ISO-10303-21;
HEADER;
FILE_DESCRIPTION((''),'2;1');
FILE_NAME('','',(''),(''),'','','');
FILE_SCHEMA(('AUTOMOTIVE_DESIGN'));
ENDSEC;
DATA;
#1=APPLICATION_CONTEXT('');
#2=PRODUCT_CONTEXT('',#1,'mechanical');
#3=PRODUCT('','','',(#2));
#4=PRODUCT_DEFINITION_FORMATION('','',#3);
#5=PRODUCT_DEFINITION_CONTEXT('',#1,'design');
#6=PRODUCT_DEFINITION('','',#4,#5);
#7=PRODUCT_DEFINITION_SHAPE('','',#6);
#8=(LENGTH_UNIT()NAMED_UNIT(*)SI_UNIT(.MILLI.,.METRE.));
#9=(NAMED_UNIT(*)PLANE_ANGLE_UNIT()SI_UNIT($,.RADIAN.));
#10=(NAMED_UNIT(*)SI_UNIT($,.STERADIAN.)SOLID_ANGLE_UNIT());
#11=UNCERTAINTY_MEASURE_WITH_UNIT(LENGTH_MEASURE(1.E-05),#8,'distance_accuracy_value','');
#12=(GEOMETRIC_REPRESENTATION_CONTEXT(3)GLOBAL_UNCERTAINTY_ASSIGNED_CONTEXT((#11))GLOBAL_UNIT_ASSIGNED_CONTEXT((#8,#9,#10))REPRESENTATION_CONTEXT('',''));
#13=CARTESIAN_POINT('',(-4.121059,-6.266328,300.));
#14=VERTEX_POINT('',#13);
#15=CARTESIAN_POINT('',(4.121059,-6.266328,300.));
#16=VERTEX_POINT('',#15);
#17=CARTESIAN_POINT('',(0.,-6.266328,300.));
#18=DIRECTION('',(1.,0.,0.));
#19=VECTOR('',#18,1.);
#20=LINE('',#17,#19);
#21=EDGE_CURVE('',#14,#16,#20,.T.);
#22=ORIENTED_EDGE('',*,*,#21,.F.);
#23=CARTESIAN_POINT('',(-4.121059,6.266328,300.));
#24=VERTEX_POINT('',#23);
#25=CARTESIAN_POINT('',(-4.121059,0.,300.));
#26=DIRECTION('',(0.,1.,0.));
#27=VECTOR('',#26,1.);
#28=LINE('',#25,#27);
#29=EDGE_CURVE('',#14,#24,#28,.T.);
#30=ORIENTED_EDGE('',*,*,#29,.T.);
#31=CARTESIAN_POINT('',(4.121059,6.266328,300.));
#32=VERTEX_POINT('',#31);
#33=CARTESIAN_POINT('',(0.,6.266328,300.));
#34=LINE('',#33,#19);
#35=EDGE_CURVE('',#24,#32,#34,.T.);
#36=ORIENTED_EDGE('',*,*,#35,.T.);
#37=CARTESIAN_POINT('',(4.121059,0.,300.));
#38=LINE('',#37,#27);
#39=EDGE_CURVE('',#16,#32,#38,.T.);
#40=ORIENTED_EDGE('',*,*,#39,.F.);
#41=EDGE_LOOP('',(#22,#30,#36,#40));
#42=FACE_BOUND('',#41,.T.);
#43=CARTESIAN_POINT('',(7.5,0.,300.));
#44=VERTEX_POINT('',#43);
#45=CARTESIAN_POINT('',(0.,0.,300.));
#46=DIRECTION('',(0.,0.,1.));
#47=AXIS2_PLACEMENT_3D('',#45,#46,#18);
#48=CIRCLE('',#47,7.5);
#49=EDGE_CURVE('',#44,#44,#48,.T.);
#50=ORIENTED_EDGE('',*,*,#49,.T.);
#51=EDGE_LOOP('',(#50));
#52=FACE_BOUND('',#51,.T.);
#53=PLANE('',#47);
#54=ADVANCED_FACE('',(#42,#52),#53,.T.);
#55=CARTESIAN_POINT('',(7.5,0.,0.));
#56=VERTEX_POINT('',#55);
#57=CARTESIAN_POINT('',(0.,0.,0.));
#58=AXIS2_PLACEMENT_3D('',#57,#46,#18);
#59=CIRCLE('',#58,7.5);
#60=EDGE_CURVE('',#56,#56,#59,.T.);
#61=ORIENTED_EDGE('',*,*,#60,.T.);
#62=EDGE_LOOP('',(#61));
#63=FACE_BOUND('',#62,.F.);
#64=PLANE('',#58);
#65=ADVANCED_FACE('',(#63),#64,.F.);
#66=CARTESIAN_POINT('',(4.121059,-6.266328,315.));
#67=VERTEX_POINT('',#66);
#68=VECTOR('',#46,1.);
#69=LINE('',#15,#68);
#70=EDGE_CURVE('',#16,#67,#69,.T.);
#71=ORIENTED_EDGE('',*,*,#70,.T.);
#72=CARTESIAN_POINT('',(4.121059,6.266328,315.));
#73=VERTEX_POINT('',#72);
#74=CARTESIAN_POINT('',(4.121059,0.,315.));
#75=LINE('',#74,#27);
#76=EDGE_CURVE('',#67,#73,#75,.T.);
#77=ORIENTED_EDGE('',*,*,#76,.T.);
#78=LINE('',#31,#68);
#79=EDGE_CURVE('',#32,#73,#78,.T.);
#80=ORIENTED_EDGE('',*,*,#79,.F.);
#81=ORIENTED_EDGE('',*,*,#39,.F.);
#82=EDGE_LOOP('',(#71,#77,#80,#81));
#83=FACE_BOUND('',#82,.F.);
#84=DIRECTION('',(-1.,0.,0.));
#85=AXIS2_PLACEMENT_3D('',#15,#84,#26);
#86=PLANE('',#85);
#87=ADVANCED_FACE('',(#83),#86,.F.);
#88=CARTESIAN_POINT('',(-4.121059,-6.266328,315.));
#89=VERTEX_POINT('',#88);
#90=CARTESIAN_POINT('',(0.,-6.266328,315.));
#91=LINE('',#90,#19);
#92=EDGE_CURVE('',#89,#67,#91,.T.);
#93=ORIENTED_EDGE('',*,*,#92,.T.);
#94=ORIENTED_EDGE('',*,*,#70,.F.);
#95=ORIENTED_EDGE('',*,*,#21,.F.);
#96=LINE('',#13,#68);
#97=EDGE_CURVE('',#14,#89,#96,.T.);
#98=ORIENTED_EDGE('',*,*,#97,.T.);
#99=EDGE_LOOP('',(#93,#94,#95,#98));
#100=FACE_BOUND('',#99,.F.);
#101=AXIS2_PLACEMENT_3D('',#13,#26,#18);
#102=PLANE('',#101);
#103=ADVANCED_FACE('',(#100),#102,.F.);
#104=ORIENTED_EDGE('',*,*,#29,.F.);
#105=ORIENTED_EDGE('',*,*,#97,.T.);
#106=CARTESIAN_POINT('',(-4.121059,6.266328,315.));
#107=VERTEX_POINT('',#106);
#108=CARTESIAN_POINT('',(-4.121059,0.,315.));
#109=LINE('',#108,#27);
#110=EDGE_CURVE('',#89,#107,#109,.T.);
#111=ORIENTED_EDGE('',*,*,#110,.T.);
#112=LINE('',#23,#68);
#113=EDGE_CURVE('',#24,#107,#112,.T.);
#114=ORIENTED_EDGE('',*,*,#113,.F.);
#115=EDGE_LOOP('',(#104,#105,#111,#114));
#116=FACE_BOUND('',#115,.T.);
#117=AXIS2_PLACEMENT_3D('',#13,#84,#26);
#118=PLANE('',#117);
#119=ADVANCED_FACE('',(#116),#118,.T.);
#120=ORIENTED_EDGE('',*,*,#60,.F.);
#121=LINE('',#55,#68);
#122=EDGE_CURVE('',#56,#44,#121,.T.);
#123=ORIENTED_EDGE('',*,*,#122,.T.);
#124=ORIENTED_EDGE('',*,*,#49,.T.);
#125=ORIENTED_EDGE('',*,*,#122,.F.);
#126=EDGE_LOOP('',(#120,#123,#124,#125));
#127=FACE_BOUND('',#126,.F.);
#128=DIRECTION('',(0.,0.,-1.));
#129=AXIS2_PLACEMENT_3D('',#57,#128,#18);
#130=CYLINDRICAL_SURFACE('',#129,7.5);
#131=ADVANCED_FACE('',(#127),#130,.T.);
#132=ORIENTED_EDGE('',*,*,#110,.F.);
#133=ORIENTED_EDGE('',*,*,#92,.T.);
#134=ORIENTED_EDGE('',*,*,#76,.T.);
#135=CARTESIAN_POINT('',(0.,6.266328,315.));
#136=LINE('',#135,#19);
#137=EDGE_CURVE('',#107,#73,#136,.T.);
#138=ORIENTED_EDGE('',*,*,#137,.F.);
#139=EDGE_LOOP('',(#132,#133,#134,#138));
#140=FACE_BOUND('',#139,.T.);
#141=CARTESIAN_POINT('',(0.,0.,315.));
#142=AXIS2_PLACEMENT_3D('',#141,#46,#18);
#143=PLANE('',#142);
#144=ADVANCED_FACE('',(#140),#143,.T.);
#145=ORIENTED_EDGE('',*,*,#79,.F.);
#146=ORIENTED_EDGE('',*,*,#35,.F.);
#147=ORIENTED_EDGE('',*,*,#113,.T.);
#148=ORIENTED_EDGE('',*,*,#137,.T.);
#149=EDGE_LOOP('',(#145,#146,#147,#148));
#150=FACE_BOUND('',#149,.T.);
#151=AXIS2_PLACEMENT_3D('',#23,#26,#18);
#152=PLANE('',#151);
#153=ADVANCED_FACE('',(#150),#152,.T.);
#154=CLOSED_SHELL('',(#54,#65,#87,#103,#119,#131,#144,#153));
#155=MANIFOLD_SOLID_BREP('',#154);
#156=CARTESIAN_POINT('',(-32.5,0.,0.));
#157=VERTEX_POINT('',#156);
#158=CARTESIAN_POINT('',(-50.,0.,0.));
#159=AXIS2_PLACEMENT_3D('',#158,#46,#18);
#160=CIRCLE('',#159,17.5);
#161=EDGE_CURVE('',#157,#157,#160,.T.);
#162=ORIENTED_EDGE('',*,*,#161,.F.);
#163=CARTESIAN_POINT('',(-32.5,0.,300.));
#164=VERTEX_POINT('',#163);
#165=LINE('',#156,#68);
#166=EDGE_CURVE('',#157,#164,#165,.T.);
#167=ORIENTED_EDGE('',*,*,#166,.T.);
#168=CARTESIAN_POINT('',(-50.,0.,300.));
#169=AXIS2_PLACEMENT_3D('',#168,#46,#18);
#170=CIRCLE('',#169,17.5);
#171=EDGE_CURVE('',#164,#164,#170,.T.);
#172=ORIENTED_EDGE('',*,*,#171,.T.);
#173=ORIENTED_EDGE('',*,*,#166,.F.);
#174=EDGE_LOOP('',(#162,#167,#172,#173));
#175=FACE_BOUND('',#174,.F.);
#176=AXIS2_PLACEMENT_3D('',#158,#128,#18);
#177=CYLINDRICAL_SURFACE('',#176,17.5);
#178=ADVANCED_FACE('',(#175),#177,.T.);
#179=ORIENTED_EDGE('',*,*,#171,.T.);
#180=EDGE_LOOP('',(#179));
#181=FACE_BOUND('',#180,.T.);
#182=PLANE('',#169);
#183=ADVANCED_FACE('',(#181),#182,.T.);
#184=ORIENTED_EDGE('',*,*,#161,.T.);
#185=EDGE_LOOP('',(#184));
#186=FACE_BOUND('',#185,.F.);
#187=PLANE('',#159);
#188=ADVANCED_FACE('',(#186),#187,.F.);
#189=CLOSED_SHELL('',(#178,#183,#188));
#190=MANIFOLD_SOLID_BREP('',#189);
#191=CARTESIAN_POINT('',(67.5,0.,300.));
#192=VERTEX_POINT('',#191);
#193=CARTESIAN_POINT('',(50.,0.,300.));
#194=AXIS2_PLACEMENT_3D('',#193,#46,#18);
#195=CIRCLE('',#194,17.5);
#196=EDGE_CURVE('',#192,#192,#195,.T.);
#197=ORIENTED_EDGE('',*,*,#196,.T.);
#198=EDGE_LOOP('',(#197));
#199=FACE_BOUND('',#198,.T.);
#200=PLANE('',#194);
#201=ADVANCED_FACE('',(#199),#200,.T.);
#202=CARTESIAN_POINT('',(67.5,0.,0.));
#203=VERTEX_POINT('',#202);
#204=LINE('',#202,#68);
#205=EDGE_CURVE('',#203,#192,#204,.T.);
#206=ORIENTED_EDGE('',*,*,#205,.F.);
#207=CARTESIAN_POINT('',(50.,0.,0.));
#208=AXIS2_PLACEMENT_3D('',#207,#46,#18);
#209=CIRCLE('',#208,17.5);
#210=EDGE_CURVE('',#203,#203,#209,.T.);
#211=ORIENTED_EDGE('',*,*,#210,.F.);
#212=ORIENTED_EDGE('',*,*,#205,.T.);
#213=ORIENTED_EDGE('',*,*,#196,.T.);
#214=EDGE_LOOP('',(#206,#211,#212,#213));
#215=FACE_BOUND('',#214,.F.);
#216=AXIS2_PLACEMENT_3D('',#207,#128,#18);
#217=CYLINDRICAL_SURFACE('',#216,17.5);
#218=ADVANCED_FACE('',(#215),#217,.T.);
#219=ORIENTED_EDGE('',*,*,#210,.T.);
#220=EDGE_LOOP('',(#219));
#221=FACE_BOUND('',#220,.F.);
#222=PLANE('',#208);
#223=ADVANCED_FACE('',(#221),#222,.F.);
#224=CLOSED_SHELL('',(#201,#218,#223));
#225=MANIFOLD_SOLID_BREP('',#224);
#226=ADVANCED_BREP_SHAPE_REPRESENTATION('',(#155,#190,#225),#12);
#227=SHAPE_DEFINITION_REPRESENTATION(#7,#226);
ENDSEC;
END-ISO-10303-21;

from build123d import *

# Parameters (mm, degrees)
F0_R     = 17.5
F0_R_2   = 7.5
F1_DEPTH = 300
F2_W     = 8.242118
F2_H     = 12.532656
F3_DEPTH = 15


with BuildPart() as f1:
    # F0 (on Top) → F1 (new body)
    with BuildSketch(Plane.XY):
        with Locations((-50, 0)):
            Circle(F0_R)
        Circle(F0_R_2)
        with Locations((50, 0)):
            Circle(F0_R)
    extrude(amount=F1_DEPTH)

    # F2 (on face) → F3 (join)
    with BuildSketch(Plane.XY.offset(300)):
        Rectangle(F2_W, F2_H)
    extrude(amount=F3_DEPTH)


solid = f1.part
